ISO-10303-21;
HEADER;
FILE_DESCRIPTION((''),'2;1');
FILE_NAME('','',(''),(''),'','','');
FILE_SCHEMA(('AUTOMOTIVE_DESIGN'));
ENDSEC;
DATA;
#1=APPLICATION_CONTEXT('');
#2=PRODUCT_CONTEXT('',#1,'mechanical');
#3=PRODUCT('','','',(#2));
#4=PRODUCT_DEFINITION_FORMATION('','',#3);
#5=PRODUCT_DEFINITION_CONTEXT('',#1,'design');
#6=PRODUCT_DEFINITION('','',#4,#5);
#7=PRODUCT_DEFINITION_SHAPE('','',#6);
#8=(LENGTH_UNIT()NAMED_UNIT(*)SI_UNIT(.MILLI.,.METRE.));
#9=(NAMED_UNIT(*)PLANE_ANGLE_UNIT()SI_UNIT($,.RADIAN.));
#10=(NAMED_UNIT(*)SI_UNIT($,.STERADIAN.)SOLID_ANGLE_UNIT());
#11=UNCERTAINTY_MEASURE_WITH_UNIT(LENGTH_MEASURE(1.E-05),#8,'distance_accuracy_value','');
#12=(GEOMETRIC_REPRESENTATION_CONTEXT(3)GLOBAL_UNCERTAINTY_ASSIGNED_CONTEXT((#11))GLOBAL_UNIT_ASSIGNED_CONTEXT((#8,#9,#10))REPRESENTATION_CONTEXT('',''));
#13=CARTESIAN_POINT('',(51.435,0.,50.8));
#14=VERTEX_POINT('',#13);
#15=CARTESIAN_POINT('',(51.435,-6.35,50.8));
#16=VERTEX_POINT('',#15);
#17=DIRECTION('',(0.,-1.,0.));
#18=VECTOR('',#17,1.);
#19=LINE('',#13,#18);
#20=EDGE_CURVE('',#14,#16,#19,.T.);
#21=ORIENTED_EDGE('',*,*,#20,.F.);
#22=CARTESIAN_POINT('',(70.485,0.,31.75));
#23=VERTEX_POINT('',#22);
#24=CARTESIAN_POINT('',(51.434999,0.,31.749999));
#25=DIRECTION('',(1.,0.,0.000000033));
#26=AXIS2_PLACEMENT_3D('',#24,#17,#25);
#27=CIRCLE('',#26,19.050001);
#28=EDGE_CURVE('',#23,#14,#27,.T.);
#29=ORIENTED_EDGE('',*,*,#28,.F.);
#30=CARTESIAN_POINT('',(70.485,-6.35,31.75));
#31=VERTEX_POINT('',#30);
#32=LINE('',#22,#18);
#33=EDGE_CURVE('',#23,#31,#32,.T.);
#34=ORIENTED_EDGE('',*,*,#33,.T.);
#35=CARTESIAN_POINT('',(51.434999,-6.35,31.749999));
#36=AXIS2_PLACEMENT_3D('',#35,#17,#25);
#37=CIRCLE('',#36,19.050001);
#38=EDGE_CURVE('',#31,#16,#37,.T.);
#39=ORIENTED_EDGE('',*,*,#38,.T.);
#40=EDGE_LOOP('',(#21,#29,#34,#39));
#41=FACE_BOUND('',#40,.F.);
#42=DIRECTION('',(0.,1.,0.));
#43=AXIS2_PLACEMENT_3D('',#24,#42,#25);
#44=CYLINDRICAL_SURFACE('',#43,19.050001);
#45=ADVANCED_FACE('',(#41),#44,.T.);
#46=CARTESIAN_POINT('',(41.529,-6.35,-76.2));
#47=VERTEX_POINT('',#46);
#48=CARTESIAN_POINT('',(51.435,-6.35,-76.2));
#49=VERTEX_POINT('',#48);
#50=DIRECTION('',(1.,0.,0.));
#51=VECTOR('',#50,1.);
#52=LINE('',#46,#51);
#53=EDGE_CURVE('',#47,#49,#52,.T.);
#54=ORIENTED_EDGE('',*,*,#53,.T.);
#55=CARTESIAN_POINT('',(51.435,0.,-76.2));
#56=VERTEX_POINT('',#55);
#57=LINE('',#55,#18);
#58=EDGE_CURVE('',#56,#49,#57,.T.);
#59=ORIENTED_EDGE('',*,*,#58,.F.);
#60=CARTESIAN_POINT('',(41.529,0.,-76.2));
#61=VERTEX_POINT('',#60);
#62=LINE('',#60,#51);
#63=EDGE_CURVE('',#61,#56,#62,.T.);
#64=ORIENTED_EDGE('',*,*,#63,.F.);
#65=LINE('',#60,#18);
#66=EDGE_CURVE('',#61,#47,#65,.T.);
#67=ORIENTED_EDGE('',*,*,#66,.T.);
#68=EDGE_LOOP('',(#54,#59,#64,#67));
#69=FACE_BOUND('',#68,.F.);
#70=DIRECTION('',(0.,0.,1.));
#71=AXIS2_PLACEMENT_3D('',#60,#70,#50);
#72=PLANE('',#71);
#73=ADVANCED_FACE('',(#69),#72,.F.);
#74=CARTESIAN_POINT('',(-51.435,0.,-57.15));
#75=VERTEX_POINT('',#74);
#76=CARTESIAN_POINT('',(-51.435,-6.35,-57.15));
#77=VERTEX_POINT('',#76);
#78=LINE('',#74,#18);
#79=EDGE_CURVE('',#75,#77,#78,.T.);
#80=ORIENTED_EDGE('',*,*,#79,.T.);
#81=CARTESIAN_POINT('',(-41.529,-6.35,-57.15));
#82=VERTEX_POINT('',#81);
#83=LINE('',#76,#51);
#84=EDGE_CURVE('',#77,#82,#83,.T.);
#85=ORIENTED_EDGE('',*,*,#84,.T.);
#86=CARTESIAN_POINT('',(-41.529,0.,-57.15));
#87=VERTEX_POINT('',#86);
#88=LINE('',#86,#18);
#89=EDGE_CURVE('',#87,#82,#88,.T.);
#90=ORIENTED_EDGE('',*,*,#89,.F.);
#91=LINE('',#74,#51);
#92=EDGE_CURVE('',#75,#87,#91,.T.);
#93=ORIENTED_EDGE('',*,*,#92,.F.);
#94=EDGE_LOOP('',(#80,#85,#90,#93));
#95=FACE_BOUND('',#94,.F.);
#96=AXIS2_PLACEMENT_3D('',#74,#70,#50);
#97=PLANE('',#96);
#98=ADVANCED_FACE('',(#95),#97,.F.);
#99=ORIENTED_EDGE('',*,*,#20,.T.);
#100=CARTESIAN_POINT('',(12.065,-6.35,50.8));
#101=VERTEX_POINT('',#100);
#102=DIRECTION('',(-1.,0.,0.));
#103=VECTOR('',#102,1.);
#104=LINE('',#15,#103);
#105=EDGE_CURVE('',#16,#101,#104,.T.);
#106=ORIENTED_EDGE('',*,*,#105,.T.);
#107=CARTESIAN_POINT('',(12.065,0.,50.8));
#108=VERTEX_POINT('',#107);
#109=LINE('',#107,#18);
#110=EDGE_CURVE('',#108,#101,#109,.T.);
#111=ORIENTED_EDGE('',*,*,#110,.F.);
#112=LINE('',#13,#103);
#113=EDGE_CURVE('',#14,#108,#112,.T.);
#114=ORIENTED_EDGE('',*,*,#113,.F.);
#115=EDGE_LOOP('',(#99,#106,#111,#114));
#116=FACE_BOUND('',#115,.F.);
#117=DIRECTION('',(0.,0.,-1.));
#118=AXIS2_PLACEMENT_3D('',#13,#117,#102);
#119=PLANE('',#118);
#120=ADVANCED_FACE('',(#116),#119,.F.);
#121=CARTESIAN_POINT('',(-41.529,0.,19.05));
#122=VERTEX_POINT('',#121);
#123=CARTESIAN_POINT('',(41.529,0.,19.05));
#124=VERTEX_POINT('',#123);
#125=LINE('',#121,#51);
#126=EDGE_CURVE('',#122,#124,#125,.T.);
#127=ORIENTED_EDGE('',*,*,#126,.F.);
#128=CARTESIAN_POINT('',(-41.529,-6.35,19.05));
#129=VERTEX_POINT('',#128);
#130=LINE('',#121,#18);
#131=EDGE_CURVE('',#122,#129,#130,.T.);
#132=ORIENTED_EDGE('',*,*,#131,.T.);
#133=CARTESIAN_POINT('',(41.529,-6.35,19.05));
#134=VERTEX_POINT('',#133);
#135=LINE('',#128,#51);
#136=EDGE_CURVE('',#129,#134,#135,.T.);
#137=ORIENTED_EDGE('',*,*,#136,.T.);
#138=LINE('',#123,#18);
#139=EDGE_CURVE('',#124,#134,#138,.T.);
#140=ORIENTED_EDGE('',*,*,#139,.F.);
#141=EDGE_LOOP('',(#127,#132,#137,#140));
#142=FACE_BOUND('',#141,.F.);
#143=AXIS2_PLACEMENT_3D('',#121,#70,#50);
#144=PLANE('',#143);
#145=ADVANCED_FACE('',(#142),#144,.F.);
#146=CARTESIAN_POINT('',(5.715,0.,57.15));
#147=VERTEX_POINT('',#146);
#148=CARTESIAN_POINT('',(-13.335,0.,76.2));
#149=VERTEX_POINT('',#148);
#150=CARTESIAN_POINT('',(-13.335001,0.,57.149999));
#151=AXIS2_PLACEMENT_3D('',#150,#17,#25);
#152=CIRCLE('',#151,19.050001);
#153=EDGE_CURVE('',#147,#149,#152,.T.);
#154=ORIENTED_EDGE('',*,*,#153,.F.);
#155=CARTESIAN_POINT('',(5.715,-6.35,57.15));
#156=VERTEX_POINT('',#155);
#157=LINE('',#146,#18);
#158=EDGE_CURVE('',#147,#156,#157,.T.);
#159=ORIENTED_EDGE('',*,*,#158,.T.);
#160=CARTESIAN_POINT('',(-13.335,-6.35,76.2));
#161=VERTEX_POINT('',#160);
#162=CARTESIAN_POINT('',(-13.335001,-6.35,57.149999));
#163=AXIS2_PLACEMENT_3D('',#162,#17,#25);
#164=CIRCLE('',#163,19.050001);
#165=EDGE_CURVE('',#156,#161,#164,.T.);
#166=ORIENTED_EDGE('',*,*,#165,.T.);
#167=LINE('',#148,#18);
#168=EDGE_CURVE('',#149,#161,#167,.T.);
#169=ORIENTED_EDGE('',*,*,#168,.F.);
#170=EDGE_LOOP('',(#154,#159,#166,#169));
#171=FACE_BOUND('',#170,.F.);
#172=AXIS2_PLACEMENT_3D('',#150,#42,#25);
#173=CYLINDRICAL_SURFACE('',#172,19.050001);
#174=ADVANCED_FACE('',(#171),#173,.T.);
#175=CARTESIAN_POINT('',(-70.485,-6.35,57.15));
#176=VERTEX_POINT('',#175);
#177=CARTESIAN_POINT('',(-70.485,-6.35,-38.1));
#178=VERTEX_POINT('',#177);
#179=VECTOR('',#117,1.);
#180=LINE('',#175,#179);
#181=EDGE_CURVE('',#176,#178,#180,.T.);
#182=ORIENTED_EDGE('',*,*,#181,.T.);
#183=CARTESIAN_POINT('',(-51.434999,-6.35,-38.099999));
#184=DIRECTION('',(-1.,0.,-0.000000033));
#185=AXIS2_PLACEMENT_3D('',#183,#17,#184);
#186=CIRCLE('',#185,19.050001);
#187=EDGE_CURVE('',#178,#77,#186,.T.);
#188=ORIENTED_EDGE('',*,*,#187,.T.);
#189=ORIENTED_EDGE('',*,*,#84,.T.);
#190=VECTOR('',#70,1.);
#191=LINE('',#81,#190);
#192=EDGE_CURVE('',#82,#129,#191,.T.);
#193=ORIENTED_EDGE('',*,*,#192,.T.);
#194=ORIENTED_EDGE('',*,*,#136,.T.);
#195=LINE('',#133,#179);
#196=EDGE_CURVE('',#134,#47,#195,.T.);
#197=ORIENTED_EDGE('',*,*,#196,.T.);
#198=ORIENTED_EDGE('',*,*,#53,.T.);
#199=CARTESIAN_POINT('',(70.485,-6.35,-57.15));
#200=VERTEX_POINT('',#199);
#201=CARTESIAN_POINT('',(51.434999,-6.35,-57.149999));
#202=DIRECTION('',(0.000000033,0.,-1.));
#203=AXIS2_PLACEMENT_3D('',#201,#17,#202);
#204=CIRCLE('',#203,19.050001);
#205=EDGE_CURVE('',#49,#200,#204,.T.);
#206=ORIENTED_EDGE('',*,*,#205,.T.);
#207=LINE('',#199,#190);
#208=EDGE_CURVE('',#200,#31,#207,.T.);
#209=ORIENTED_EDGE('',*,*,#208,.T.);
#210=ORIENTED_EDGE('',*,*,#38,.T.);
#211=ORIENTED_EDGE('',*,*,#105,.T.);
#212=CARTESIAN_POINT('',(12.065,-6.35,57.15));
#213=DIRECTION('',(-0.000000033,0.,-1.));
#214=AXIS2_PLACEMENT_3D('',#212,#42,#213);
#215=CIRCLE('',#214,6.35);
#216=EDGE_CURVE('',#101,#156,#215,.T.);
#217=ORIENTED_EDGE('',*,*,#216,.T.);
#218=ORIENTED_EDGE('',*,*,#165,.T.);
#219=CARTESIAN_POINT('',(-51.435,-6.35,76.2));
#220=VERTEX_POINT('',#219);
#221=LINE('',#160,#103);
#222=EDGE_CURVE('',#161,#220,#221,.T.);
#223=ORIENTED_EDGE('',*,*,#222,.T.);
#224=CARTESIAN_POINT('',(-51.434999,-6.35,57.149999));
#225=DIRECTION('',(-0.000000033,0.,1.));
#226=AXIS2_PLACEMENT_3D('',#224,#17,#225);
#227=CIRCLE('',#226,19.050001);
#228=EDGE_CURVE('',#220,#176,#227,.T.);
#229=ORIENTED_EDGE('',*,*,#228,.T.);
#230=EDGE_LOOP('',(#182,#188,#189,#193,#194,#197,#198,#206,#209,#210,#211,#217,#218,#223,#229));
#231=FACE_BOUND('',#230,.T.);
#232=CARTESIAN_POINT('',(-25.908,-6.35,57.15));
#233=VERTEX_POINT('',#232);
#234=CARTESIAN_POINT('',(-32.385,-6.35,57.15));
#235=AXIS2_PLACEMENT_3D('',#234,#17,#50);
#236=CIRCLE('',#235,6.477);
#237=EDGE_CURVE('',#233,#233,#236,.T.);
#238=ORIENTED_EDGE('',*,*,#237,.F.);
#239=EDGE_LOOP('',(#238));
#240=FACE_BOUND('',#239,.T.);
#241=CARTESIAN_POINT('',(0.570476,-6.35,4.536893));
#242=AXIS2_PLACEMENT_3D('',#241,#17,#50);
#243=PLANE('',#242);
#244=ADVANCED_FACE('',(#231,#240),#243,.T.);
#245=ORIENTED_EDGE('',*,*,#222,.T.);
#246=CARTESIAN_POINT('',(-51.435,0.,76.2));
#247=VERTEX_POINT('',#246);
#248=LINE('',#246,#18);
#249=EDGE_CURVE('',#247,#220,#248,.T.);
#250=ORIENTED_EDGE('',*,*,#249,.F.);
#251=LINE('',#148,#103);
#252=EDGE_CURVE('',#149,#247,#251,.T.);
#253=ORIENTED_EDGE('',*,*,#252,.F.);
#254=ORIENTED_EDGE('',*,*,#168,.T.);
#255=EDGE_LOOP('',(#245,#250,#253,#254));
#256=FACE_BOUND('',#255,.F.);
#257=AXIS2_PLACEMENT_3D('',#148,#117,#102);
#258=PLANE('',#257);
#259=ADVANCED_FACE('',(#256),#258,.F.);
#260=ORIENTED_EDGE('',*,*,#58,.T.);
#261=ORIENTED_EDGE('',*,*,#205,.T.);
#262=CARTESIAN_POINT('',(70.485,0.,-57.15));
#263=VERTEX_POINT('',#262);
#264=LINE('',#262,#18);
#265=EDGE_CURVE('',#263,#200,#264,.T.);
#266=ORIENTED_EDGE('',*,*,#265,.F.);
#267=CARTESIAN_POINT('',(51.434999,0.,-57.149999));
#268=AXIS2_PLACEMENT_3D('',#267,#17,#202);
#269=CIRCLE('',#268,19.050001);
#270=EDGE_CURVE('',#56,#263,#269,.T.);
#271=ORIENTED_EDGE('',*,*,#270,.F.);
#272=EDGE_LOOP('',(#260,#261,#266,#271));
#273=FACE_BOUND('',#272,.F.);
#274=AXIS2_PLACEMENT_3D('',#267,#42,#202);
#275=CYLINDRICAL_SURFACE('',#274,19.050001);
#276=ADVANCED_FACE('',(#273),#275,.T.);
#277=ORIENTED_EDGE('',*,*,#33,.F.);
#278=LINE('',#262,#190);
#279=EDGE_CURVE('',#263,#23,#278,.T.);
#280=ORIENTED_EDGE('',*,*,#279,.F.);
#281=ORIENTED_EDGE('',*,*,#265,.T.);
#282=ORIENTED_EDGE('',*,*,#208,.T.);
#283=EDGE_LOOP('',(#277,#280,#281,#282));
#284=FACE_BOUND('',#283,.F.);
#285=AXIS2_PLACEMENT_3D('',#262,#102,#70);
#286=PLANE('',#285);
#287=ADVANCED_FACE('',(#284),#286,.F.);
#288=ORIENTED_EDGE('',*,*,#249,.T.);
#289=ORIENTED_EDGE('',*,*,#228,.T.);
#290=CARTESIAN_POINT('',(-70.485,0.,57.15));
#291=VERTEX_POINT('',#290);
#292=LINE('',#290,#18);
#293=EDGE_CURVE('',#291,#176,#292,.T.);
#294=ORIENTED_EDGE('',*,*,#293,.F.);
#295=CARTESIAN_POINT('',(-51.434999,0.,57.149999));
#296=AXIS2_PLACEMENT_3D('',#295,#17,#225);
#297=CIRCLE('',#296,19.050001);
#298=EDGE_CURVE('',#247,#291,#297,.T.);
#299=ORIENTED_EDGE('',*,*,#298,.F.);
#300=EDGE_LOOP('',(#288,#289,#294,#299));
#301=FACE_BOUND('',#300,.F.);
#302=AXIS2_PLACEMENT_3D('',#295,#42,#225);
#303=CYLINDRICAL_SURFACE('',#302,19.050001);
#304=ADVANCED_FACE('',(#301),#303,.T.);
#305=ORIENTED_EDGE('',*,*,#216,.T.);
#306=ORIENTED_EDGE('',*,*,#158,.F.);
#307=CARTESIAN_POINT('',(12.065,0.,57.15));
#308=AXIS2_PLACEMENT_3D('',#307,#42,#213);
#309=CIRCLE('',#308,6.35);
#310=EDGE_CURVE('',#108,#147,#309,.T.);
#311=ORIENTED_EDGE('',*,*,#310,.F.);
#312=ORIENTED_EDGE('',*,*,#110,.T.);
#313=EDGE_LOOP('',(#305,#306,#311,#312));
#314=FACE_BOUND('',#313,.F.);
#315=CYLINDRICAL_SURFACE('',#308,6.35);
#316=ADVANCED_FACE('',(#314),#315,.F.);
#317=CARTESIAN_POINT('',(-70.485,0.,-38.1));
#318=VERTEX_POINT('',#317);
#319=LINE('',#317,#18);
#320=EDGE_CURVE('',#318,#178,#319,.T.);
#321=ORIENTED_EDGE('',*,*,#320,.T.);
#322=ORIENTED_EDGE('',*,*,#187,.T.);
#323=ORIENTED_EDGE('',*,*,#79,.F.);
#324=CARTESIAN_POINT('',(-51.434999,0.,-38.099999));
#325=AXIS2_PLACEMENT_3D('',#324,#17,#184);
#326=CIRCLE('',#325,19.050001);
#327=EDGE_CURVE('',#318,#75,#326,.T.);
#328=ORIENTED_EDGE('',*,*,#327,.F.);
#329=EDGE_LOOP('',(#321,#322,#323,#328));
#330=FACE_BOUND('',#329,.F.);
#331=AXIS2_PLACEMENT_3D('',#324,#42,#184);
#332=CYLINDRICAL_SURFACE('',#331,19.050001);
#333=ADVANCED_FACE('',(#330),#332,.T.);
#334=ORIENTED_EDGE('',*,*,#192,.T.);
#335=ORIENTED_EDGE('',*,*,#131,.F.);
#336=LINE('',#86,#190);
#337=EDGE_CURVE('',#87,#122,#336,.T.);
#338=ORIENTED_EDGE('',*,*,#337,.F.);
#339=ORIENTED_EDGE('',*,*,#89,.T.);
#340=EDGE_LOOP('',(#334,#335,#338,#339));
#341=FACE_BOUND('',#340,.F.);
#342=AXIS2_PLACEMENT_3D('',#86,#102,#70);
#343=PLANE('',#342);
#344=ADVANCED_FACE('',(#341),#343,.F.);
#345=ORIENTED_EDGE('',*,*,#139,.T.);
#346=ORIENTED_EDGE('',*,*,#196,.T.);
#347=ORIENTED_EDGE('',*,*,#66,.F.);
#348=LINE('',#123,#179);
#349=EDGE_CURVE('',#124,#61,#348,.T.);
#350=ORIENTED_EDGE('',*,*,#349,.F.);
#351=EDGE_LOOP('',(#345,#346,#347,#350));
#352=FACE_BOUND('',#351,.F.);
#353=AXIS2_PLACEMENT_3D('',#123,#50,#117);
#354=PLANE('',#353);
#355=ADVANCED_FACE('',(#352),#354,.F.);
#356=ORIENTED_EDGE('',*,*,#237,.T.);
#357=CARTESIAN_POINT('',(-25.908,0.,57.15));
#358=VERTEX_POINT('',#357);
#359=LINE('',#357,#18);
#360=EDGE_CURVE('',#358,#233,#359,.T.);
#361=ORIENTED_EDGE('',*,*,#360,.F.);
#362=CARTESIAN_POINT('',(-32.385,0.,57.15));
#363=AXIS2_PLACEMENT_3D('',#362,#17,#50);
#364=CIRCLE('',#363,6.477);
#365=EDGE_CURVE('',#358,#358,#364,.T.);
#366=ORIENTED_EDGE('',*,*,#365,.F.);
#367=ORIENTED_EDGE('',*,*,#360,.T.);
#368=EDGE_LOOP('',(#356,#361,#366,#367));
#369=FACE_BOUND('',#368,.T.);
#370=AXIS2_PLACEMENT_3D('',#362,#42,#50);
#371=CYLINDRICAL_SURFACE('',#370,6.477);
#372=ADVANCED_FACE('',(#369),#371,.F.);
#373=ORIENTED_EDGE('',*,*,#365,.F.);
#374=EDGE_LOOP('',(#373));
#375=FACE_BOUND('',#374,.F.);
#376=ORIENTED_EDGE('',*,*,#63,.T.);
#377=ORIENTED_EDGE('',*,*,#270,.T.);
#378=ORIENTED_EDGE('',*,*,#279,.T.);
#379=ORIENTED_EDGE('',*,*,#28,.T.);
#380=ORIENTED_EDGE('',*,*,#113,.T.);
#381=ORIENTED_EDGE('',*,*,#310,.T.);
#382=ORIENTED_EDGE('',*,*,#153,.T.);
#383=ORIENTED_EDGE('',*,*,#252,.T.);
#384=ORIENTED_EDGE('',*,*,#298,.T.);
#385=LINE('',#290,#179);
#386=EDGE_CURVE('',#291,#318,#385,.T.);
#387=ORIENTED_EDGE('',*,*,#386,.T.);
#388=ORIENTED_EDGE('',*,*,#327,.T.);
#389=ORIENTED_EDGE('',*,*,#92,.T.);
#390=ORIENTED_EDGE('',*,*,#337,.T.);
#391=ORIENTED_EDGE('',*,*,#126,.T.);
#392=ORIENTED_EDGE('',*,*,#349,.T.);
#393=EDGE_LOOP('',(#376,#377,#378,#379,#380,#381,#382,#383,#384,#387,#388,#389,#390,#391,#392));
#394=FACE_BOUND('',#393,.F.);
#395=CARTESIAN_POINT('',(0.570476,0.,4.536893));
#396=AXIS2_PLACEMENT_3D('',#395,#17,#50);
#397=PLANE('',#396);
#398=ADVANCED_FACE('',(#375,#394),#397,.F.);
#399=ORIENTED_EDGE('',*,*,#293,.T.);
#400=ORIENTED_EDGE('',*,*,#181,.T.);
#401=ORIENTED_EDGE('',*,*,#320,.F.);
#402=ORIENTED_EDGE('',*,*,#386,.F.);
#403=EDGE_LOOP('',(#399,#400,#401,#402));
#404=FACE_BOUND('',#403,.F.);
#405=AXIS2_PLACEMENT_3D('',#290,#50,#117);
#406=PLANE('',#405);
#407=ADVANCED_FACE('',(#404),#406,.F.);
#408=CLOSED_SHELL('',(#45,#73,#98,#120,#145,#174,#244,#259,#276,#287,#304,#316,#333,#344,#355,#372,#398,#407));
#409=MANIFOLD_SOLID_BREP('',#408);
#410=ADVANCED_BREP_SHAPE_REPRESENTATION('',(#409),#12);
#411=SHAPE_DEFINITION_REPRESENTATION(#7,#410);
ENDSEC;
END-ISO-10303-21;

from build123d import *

# Parameters (mm, degrees)
F0_R     = 6.477
F1_DEPTH = 6.35


with BuildPart() as f1:
    # F0 (on Front) → F1 (new body)
    with BuildSketch(Plane.XZ):
        with BuildLine():
            Line((41.529, -76.2), (51.435, -76.2))
            ThreePointArc((51.435, -76.2), (64.905384, -70.620384), (70.485, -57.15))
            Line((70.485, -57.15), (70.485, 31.75))
            ThreePointArc((70.485, 31.75), (64.905384, 45.220384), (51.435, 50.8))
            Line((51.435, 50.8), (12.065, 50.8))
            ThreePointArc((12.065, 50.8), (7.574872, 52.659872), (5.715, 57.15))
            ThreePointArc((5.715, 57.15), (0.135384, 70.620384), (-13.335, 76.2))
            Line((-13.335, 76.2), (-51.435, 76.2))
            ThreePointArc((-51.435, 76.2), (-64.905384, 70.620384), (-70.485, 57.15))
            Line((-70.485, 57.15), (-70.485, -38.1))
            ThreePointArc((-70.485, -38.1), (-64.905384, -51.570384), (-51.435, -57.15))
            Line((-51.435, -57.15), (-41.529, -57.15))
            Line((-41.529, -57.15), (-41.529, 19.05))
            Line((-41.529, 19.05), (41.529, 19.05))
            Line((41.529, 19.05), (41.529, -76.2))
        make_face()
        with Locations((-32.385, 57.15)):
            Circle(F0_R, mode=Mode.SUBTRACT)
    extrude(amount=F1_DEPTH)


solid = f1.part
